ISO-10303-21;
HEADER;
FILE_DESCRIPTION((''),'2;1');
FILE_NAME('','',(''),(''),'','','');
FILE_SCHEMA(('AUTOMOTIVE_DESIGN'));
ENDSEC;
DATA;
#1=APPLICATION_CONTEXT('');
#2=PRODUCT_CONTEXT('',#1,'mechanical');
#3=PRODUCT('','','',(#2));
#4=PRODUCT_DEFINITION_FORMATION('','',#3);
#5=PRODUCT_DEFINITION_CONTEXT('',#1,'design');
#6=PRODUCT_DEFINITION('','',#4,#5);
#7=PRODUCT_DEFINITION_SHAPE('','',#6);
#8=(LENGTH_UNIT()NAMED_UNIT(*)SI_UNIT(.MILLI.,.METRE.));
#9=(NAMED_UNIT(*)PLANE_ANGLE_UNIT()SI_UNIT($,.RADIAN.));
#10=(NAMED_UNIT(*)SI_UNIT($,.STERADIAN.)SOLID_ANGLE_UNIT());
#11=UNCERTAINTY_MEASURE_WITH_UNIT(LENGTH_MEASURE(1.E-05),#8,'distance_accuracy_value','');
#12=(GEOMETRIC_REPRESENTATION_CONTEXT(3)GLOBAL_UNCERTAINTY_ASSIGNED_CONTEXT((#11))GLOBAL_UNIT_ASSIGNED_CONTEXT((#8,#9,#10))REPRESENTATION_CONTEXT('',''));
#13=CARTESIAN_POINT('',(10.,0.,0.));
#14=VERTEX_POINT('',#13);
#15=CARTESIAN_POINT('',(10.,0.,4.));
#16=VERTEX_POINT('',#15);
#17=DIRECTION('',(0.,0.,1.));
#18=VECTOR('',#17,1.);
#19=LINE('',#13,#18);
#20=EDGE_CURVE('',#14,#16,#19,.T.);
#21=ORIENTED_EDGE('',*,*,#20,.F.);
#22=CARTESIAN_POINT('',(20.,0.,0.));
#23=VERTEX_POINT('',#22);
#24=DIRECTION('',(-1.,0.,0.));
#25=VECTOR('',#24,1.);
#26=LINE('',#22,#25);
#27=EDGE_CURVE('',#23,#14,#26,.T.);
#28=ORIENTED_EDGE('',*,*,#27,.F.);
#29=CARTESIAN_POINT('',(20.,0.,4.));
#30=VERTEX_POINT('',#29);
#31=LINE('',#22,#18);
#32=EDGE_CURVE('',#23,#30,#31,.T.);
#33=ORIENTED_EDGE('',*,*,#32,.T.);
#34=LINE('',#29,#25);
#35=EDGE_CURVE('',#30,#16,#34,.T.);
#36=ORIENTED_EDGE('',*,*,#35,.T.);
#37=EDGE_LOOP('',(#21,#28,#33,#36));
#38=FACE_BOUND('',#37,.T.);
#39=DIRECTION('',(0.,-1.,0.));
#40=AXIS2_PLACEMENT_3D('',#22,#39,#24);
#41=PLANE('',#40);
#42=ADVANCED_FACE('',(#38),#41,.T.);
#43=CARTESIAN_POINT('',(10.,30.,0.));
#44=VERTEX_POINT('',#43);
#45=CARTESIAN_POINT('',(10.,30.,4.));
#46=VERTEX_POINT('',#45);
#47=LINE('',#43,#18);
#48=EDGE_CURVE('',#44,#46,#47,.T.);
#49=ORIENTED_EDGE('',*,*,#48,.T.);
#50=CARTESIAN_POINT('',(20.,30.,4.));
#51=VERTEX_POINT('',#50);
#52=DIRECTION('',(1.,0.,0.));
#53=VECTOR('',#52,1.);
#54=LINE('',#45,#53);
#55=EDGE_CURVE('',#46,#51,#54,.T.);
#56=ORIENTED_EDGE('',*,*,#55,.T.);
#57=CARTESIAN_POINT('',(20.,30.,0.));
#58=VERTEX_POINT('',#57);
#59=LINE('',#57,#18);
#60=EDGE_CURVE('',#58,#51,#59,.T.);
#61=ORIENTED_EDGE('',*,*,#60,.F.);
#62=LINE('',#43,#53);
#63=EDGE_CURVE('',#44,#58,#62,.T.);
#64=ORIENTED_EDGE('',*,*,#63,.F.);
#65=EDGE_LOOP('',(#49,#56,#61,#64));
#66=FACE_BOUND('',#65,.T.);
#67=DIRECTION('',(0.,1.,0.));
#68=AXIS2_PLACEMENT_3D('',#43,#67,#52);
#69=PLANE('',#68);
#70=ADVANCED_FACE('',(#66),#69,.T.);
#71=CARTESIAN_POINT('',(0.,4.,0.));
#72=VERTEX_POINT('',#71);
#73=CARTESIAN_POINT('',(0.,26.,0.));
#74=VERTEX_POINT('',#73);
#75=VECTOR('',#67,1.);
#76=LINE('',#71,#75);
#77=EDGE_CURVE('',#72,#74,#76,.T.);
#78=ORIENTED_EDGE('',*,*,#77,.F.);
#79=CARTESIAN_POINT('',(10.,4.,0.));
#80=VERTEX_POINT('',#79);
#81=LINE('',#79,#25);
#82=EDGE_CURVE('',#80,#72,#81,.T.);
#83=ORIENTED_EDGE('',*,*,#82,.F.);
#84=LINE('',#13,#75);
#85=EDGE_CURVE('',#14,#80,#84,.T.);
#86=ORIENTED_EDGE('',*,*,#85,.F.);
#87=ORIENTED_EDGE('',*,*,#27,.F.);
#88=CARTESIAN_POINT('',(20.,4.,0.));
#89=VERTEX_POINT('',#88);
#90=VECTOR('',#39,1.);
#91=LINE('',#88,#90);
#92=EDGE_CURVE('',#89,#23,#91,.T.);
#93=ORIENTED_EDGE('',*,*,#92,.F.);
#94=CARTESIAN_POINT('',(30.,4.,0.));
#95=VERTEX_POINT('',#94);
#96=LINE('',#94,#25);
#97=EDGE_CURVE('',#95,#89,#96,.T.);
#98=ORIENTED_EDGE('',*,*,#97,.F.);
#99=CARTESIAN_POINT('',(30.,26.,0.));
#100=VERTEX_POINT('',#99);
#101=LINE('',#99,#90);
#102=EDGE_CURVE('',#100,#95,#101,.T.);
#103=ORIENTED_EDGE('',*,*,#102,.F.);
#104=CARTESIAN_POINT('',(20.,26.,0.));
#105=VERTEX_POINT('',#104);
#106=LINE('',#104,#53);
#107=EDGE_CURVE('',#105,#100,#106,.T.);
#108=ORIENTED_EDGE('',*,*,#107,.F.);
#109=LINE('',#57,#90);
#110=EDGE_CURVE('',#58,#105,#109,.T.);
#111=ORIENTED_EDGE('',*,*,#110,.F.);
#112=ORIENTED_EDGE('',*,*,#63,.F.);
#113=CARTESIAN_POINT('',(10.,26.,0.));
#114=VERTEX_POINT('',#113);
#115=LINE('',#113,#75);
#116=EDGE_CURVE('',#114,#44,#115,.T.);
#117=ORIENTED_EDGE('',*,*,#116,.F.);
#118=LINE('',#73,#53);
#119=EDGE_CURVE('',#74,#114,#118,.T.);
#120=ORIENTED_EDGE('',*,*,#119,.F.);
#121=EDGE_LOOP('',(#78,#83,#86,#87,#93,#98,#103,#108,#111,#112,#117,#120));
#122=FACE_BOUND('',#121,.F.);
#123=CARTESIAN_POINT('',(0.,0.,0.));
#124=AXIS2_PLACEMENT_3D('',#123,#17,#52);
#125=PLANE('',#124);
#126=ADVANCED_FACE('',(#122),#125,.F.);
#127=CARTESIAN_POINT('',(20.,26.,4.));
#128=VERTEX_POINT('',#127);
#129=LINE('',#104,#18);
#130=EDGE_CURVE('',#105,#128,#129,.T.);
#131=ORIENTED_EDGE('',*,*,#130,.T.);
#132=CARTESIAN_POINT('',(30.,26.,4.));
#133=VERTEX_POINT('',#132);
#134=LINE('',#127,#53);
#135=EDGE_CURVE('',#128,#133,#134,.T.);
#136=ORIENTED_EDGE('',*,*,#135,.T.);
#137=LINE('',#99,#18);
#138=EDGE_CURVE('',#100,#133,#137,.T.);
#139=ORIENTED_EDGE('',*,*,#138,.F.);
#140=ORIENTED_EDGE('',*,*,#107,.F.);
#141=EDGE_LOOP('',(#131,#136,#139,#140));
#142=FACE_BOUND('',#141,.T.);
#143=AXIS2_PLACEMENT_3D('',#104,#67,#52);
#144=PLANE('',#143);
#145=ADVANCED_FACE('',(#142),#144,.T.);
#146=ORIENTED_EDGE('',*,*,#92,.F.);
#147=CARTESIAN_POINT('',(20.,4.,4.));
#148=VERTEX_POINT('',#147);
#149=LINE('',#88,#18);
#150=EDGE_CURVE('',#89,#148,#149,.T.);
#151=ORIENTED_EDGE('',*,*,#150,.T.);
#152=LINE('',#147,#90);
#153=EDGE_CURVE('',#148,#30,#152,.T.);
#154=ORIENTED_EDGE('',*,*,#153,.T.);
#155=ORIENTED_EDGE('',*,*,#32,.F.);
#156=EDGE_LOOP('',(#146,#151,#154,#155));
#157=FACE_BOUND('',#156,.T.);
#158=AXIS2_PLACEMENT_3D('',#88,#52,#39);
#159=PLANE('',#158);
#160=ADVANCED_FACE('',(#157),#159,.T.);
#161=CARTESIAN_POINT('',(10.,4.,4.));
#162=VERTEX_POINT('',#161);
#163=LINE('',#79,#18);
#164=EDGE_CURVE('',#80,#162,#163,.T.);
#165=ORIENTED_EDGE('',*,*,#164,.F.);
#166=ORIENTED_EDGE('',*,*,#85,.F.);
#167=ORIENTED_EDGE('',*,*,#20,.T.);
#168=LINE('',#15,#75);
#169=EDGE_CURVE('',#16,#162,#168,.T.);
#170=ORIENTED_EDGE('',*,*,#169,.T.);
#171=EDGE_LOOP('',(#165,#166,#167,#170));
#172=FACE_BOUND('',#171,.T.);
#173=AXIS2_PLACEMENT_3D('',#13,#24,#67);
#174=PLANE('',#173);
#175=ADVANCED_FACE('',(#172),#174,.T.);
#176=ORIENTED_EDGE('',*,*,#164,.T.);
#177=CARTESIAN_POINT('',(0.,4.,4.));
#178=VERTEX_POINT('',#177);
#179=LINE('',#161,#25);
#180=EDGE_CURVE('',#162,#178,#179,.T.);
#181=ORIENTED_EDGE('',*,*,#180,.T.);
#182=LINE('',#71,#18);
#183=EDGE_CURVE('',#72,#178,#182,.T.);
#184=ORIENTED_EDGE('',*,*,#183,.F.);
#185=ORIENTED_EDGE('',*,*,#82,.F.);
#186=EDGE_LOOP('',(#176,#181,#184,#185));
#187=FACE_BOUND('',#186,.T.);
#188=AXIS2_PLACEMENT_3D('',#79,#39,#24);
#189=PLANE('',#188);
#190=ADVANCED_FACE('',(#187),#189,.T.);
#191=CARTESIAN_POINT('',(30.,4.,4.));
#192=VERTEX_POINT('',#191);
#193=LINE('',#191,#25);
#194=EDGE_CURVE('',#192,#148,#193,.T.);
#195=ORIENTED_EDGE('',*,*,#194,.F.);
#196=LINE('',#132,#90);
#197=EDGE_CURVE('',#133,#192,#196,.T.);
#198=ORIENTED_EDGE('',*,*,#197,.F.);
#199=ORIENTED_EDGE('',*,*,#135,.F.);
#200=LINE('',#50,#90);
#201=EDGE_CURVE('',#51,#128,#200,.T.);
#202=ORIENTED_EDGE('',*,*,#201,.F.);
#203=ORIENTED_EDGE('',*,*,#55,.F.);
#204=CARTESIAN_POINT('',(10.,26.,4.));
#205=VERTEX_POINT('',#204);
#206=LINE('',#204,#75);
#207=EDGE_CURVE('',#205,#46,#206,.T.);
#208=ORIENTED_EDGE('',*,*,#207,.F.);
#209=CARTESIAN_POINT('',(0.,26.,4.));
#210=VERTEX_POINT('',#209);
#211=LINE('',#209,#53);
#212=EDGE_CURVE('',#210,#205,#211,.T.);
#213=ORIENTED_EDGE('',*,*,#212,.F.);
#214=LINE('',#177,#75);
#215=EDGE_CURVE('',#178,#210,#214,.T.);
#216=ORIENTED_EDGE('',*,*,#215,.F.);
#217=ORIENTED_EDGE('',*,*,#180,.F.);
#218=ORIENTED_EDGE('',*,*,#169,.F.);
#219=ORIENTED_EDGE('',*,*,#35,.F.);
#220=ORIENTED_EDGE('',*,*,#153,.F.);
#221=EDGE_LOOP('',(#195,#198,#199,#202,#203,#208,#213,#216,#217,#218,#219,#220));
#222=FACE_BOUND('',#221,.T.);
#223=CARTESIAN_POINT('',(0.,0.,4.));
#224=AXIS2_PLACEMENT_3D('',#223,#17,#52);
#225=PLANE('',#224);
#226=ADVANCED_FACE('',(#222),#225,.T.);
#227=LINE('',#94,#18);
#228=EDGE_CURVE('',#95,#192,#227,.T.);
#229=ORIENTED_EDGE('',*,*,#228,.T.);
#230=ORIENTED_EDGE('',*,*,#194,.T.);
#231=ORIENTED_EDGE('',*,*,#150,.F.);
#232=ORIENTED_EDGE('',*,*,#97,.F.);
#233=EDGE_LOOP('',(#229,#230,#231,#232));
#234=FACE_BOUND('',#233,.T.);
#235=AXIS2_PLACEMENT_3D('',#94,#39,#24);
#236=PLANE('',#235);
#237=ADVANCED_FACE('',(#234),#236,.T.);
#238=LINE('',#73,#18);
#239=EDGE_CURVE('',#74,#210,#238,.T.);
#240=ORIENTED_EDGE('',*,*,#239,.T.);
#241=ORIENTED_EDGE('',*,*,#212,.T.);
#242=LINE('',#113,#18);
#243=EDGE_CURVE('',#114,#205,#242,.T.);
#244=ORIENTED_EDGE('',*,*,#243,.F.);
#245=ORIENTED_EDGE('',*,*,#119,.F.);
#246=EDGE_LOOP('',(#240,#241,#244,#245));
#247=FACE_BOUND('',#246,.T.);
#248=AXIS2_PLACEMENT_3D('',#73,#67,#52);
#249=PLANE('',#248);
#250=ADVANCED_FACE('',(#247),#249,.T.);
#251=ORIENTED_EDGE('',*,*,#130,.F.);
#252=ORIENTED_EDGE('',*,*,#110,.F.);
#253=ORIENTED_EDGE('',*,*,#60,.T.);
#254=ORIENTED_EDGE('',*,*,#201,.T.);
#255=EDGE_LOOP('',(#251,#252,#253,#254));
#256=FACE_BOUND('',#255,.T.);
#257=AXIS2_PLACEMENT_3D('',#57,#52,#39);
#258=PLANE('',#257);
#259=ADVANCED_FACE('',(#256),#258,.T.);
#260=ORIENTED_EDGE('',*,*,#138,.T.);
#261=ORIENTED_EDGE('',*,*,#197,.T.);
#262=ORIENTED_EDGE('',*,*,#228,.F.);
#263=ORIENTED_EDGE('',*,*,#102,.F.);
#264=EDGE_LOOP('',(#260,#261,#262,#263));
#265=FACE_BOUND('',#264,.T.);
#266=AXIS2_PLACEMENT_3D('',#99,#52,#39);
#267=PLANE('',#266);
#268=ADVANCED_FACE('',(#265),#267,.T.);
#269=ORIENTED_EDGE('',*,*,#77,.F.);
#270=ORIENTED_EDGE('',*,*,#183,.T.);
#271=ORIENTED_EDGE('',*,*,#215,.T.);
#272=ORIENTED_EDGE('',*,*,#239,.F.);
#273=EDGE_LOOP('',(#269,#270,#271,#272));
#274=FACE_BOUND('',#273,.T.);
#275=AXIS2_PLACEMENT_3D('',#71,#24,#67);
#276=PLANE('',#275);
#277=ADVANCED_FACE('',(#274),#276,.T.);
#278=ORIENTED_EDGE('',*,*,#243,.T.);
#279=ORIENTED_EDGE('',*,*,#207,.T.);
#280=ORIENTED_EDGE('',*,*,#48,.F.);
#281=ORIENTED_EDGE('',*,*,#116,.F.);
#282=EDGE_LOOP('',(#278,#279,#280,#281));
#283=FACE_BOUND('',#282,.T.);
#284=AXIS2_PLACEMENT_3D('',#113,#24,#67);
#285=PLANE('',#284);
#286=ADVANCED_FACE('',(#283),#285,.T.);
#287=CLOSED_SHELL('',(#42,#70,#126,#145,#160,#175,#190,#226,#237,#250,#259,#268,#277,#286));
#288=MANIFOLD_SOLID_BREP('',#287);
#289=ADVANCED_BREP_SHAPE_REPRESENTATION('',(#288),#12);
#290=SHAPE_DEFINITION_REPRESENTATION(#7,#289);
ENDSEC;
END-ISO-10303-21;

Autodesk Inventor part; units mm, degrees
ref_plane "YZ Plane" through (0, 0, 0) normal (1, 0, 0) x (0, 1, 0)
ref_plane "XZ Plane" through (0, 0, 0) normal (0, 1, 0) x (-1, 0, 0)
ref_plane "XY Plane" through (0, 0, 0) normal (0, 0, 1) x (1, 0, 0)
sketch "Sketch1" plane through (0, 0, 0) normal (0, 0, 1) x (1, 0, 0)
  line L0 (0, 4) -> (0, 26)
  line L1 (0, 26) -> (10, 26)
  line L2 (10, 26) -> (10, 30)
  line L3 (10, 30) -> (20, 30)
  line L4 (20, 30) -> (20, 26)
  line L5 (20, 26) -> (30, 26)
  line L6 (30, 26) -> (30, 4)
  line L7 (30, 4) -> (20, 4)
  line L8 (20, 4) -> (20, 0)
  line L9 (20, 0) -> (10, 0)
  line L10 (10, 0) -> (10, 4)
  line L11 (10, 4) -> (0, 4)
  point P0 (0, 0)
  dimension "d0" = 22
  dimension "d1" = 10
  dimension "d2" = 4
  dimension "d3" = 10
  dimension "d4" = 10
extrude "Extrusion1" add sketch "Sketch1" along normal blind 4
properties part number "innanverdurstubbur"
